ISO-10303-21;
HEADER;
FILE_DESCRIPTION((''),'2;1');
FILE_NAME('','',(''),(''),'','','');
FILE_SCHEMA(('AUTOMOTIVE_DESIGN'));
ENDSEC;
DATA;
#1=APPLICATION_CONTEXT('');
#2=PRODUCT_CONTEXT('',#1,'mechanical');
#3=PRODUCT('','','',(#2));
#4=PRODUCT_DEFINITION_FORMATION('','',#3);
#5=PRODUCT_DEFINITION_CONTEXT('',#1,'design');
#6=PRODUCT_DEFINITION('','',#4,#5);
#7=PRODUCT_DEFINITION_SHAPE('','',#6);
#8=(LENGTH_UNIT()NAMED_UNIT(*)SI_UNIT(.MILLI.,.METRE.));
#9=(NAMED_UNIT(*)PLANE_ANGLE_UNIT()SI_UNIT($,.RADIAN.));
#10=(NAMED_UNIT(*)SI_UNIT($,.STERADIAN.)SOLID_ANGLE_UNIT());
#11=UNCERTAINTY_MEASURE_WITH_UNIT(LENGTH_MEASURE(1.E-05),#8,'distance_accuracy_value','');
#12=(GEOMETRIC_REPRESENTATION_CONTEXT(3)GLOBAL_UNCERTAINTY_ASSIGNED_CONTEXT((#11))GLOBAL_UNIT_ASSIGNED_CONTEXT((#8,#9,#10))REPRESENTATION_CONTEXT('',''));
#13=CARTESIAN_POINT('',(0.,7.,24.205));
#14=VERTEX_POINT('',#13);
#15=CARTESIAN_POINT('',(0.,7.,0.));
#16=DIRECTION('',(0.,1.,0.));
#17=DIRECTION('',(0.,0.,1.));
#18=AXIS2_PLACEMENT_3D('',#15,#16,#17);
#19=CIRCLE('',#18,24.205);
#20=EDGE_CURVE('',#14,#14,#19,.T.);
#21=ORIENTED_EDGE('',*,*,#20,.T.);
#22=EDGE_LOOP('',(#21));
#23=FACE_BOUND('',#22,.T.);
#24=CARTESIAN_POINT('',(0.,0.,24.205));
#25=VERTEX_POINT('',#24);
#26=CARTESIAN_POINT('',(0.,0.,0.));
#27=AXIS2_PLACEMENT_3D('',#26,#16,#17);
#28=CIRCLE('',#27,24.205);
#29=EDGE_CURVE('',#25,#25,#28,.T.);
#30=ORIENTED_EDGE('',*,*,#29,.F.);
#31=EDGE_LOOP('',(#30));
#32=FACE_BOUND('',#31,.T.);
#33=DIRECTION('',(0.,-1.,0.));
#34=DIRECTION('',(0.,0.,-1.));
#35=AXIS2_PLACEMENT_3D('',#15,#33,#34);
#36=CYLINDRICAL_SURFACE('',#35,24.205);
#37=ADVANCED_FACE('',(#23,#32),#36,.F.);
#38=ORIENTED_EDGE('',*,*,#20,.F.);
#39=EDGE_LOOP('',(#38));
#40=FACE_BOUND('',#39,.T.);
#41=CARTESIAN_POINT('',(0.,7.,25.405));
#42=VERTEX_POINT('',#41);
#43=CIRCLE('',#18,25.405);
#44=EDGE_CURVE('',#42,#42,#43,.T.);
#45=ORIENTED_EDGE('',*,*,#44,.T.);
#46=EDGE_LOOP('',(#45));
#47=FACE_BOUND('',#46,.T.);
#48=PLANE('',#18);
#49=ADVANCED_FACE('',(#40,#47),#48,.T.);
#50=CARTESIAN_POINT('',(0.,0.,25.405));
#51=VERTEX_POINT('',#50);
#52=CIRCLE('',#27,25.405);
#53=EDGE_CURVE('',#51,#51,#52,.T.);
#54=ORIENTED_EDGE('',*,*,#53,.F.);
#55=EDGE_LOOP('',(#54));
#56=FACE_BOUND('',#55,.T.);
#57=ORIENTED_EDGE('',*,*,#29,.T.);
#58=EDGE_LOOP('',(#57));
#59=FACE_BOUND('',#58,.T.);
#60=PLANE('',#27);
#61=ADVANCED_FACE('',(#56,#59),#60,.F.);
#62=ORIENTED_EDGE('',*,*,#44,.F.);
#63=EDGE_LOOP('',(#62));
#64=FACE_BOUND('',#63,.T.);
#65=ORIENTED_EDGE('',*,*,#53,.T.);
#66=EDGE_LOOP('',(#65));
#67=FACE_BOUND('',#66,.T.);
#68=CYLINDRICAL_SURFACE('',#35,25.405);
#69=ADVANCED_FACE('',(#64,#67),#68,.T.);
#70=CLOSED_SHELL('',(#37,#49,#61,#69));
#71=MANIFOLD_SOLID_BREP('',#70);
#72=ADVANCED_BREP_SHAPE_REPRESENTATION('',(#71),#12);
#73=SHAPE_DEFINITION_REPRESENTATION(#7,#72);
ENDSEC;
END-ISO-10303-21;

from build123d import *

# Parameters (mm, degrees)
SKETCH1_R           = 25.405
SKETCH1_R_2         = 24.205
BOSS_EXTRUDE1_DEPTH = 7


with BuildPart() as part:
    # Sketch1 → Boss-Extrude1 (new body)
    with BuildSketch(Plane(origin=(0, 0, 0), x_dir=(1, 0, 0), z_dir=(0, 1, 0))):
        with Locations(Location((0, 0, 0), (0, 0, 270))):
            Circle(SKETCH1_R)
        with Locations(Location((0, 0, 0), (0, 0, 270))):
            Circle(SKETCH1_R_2, mode=Mode.SUBTRACT)
    extrude(amount=BOSS_EXTRUDE1_DEPTH)


solid = part.part
